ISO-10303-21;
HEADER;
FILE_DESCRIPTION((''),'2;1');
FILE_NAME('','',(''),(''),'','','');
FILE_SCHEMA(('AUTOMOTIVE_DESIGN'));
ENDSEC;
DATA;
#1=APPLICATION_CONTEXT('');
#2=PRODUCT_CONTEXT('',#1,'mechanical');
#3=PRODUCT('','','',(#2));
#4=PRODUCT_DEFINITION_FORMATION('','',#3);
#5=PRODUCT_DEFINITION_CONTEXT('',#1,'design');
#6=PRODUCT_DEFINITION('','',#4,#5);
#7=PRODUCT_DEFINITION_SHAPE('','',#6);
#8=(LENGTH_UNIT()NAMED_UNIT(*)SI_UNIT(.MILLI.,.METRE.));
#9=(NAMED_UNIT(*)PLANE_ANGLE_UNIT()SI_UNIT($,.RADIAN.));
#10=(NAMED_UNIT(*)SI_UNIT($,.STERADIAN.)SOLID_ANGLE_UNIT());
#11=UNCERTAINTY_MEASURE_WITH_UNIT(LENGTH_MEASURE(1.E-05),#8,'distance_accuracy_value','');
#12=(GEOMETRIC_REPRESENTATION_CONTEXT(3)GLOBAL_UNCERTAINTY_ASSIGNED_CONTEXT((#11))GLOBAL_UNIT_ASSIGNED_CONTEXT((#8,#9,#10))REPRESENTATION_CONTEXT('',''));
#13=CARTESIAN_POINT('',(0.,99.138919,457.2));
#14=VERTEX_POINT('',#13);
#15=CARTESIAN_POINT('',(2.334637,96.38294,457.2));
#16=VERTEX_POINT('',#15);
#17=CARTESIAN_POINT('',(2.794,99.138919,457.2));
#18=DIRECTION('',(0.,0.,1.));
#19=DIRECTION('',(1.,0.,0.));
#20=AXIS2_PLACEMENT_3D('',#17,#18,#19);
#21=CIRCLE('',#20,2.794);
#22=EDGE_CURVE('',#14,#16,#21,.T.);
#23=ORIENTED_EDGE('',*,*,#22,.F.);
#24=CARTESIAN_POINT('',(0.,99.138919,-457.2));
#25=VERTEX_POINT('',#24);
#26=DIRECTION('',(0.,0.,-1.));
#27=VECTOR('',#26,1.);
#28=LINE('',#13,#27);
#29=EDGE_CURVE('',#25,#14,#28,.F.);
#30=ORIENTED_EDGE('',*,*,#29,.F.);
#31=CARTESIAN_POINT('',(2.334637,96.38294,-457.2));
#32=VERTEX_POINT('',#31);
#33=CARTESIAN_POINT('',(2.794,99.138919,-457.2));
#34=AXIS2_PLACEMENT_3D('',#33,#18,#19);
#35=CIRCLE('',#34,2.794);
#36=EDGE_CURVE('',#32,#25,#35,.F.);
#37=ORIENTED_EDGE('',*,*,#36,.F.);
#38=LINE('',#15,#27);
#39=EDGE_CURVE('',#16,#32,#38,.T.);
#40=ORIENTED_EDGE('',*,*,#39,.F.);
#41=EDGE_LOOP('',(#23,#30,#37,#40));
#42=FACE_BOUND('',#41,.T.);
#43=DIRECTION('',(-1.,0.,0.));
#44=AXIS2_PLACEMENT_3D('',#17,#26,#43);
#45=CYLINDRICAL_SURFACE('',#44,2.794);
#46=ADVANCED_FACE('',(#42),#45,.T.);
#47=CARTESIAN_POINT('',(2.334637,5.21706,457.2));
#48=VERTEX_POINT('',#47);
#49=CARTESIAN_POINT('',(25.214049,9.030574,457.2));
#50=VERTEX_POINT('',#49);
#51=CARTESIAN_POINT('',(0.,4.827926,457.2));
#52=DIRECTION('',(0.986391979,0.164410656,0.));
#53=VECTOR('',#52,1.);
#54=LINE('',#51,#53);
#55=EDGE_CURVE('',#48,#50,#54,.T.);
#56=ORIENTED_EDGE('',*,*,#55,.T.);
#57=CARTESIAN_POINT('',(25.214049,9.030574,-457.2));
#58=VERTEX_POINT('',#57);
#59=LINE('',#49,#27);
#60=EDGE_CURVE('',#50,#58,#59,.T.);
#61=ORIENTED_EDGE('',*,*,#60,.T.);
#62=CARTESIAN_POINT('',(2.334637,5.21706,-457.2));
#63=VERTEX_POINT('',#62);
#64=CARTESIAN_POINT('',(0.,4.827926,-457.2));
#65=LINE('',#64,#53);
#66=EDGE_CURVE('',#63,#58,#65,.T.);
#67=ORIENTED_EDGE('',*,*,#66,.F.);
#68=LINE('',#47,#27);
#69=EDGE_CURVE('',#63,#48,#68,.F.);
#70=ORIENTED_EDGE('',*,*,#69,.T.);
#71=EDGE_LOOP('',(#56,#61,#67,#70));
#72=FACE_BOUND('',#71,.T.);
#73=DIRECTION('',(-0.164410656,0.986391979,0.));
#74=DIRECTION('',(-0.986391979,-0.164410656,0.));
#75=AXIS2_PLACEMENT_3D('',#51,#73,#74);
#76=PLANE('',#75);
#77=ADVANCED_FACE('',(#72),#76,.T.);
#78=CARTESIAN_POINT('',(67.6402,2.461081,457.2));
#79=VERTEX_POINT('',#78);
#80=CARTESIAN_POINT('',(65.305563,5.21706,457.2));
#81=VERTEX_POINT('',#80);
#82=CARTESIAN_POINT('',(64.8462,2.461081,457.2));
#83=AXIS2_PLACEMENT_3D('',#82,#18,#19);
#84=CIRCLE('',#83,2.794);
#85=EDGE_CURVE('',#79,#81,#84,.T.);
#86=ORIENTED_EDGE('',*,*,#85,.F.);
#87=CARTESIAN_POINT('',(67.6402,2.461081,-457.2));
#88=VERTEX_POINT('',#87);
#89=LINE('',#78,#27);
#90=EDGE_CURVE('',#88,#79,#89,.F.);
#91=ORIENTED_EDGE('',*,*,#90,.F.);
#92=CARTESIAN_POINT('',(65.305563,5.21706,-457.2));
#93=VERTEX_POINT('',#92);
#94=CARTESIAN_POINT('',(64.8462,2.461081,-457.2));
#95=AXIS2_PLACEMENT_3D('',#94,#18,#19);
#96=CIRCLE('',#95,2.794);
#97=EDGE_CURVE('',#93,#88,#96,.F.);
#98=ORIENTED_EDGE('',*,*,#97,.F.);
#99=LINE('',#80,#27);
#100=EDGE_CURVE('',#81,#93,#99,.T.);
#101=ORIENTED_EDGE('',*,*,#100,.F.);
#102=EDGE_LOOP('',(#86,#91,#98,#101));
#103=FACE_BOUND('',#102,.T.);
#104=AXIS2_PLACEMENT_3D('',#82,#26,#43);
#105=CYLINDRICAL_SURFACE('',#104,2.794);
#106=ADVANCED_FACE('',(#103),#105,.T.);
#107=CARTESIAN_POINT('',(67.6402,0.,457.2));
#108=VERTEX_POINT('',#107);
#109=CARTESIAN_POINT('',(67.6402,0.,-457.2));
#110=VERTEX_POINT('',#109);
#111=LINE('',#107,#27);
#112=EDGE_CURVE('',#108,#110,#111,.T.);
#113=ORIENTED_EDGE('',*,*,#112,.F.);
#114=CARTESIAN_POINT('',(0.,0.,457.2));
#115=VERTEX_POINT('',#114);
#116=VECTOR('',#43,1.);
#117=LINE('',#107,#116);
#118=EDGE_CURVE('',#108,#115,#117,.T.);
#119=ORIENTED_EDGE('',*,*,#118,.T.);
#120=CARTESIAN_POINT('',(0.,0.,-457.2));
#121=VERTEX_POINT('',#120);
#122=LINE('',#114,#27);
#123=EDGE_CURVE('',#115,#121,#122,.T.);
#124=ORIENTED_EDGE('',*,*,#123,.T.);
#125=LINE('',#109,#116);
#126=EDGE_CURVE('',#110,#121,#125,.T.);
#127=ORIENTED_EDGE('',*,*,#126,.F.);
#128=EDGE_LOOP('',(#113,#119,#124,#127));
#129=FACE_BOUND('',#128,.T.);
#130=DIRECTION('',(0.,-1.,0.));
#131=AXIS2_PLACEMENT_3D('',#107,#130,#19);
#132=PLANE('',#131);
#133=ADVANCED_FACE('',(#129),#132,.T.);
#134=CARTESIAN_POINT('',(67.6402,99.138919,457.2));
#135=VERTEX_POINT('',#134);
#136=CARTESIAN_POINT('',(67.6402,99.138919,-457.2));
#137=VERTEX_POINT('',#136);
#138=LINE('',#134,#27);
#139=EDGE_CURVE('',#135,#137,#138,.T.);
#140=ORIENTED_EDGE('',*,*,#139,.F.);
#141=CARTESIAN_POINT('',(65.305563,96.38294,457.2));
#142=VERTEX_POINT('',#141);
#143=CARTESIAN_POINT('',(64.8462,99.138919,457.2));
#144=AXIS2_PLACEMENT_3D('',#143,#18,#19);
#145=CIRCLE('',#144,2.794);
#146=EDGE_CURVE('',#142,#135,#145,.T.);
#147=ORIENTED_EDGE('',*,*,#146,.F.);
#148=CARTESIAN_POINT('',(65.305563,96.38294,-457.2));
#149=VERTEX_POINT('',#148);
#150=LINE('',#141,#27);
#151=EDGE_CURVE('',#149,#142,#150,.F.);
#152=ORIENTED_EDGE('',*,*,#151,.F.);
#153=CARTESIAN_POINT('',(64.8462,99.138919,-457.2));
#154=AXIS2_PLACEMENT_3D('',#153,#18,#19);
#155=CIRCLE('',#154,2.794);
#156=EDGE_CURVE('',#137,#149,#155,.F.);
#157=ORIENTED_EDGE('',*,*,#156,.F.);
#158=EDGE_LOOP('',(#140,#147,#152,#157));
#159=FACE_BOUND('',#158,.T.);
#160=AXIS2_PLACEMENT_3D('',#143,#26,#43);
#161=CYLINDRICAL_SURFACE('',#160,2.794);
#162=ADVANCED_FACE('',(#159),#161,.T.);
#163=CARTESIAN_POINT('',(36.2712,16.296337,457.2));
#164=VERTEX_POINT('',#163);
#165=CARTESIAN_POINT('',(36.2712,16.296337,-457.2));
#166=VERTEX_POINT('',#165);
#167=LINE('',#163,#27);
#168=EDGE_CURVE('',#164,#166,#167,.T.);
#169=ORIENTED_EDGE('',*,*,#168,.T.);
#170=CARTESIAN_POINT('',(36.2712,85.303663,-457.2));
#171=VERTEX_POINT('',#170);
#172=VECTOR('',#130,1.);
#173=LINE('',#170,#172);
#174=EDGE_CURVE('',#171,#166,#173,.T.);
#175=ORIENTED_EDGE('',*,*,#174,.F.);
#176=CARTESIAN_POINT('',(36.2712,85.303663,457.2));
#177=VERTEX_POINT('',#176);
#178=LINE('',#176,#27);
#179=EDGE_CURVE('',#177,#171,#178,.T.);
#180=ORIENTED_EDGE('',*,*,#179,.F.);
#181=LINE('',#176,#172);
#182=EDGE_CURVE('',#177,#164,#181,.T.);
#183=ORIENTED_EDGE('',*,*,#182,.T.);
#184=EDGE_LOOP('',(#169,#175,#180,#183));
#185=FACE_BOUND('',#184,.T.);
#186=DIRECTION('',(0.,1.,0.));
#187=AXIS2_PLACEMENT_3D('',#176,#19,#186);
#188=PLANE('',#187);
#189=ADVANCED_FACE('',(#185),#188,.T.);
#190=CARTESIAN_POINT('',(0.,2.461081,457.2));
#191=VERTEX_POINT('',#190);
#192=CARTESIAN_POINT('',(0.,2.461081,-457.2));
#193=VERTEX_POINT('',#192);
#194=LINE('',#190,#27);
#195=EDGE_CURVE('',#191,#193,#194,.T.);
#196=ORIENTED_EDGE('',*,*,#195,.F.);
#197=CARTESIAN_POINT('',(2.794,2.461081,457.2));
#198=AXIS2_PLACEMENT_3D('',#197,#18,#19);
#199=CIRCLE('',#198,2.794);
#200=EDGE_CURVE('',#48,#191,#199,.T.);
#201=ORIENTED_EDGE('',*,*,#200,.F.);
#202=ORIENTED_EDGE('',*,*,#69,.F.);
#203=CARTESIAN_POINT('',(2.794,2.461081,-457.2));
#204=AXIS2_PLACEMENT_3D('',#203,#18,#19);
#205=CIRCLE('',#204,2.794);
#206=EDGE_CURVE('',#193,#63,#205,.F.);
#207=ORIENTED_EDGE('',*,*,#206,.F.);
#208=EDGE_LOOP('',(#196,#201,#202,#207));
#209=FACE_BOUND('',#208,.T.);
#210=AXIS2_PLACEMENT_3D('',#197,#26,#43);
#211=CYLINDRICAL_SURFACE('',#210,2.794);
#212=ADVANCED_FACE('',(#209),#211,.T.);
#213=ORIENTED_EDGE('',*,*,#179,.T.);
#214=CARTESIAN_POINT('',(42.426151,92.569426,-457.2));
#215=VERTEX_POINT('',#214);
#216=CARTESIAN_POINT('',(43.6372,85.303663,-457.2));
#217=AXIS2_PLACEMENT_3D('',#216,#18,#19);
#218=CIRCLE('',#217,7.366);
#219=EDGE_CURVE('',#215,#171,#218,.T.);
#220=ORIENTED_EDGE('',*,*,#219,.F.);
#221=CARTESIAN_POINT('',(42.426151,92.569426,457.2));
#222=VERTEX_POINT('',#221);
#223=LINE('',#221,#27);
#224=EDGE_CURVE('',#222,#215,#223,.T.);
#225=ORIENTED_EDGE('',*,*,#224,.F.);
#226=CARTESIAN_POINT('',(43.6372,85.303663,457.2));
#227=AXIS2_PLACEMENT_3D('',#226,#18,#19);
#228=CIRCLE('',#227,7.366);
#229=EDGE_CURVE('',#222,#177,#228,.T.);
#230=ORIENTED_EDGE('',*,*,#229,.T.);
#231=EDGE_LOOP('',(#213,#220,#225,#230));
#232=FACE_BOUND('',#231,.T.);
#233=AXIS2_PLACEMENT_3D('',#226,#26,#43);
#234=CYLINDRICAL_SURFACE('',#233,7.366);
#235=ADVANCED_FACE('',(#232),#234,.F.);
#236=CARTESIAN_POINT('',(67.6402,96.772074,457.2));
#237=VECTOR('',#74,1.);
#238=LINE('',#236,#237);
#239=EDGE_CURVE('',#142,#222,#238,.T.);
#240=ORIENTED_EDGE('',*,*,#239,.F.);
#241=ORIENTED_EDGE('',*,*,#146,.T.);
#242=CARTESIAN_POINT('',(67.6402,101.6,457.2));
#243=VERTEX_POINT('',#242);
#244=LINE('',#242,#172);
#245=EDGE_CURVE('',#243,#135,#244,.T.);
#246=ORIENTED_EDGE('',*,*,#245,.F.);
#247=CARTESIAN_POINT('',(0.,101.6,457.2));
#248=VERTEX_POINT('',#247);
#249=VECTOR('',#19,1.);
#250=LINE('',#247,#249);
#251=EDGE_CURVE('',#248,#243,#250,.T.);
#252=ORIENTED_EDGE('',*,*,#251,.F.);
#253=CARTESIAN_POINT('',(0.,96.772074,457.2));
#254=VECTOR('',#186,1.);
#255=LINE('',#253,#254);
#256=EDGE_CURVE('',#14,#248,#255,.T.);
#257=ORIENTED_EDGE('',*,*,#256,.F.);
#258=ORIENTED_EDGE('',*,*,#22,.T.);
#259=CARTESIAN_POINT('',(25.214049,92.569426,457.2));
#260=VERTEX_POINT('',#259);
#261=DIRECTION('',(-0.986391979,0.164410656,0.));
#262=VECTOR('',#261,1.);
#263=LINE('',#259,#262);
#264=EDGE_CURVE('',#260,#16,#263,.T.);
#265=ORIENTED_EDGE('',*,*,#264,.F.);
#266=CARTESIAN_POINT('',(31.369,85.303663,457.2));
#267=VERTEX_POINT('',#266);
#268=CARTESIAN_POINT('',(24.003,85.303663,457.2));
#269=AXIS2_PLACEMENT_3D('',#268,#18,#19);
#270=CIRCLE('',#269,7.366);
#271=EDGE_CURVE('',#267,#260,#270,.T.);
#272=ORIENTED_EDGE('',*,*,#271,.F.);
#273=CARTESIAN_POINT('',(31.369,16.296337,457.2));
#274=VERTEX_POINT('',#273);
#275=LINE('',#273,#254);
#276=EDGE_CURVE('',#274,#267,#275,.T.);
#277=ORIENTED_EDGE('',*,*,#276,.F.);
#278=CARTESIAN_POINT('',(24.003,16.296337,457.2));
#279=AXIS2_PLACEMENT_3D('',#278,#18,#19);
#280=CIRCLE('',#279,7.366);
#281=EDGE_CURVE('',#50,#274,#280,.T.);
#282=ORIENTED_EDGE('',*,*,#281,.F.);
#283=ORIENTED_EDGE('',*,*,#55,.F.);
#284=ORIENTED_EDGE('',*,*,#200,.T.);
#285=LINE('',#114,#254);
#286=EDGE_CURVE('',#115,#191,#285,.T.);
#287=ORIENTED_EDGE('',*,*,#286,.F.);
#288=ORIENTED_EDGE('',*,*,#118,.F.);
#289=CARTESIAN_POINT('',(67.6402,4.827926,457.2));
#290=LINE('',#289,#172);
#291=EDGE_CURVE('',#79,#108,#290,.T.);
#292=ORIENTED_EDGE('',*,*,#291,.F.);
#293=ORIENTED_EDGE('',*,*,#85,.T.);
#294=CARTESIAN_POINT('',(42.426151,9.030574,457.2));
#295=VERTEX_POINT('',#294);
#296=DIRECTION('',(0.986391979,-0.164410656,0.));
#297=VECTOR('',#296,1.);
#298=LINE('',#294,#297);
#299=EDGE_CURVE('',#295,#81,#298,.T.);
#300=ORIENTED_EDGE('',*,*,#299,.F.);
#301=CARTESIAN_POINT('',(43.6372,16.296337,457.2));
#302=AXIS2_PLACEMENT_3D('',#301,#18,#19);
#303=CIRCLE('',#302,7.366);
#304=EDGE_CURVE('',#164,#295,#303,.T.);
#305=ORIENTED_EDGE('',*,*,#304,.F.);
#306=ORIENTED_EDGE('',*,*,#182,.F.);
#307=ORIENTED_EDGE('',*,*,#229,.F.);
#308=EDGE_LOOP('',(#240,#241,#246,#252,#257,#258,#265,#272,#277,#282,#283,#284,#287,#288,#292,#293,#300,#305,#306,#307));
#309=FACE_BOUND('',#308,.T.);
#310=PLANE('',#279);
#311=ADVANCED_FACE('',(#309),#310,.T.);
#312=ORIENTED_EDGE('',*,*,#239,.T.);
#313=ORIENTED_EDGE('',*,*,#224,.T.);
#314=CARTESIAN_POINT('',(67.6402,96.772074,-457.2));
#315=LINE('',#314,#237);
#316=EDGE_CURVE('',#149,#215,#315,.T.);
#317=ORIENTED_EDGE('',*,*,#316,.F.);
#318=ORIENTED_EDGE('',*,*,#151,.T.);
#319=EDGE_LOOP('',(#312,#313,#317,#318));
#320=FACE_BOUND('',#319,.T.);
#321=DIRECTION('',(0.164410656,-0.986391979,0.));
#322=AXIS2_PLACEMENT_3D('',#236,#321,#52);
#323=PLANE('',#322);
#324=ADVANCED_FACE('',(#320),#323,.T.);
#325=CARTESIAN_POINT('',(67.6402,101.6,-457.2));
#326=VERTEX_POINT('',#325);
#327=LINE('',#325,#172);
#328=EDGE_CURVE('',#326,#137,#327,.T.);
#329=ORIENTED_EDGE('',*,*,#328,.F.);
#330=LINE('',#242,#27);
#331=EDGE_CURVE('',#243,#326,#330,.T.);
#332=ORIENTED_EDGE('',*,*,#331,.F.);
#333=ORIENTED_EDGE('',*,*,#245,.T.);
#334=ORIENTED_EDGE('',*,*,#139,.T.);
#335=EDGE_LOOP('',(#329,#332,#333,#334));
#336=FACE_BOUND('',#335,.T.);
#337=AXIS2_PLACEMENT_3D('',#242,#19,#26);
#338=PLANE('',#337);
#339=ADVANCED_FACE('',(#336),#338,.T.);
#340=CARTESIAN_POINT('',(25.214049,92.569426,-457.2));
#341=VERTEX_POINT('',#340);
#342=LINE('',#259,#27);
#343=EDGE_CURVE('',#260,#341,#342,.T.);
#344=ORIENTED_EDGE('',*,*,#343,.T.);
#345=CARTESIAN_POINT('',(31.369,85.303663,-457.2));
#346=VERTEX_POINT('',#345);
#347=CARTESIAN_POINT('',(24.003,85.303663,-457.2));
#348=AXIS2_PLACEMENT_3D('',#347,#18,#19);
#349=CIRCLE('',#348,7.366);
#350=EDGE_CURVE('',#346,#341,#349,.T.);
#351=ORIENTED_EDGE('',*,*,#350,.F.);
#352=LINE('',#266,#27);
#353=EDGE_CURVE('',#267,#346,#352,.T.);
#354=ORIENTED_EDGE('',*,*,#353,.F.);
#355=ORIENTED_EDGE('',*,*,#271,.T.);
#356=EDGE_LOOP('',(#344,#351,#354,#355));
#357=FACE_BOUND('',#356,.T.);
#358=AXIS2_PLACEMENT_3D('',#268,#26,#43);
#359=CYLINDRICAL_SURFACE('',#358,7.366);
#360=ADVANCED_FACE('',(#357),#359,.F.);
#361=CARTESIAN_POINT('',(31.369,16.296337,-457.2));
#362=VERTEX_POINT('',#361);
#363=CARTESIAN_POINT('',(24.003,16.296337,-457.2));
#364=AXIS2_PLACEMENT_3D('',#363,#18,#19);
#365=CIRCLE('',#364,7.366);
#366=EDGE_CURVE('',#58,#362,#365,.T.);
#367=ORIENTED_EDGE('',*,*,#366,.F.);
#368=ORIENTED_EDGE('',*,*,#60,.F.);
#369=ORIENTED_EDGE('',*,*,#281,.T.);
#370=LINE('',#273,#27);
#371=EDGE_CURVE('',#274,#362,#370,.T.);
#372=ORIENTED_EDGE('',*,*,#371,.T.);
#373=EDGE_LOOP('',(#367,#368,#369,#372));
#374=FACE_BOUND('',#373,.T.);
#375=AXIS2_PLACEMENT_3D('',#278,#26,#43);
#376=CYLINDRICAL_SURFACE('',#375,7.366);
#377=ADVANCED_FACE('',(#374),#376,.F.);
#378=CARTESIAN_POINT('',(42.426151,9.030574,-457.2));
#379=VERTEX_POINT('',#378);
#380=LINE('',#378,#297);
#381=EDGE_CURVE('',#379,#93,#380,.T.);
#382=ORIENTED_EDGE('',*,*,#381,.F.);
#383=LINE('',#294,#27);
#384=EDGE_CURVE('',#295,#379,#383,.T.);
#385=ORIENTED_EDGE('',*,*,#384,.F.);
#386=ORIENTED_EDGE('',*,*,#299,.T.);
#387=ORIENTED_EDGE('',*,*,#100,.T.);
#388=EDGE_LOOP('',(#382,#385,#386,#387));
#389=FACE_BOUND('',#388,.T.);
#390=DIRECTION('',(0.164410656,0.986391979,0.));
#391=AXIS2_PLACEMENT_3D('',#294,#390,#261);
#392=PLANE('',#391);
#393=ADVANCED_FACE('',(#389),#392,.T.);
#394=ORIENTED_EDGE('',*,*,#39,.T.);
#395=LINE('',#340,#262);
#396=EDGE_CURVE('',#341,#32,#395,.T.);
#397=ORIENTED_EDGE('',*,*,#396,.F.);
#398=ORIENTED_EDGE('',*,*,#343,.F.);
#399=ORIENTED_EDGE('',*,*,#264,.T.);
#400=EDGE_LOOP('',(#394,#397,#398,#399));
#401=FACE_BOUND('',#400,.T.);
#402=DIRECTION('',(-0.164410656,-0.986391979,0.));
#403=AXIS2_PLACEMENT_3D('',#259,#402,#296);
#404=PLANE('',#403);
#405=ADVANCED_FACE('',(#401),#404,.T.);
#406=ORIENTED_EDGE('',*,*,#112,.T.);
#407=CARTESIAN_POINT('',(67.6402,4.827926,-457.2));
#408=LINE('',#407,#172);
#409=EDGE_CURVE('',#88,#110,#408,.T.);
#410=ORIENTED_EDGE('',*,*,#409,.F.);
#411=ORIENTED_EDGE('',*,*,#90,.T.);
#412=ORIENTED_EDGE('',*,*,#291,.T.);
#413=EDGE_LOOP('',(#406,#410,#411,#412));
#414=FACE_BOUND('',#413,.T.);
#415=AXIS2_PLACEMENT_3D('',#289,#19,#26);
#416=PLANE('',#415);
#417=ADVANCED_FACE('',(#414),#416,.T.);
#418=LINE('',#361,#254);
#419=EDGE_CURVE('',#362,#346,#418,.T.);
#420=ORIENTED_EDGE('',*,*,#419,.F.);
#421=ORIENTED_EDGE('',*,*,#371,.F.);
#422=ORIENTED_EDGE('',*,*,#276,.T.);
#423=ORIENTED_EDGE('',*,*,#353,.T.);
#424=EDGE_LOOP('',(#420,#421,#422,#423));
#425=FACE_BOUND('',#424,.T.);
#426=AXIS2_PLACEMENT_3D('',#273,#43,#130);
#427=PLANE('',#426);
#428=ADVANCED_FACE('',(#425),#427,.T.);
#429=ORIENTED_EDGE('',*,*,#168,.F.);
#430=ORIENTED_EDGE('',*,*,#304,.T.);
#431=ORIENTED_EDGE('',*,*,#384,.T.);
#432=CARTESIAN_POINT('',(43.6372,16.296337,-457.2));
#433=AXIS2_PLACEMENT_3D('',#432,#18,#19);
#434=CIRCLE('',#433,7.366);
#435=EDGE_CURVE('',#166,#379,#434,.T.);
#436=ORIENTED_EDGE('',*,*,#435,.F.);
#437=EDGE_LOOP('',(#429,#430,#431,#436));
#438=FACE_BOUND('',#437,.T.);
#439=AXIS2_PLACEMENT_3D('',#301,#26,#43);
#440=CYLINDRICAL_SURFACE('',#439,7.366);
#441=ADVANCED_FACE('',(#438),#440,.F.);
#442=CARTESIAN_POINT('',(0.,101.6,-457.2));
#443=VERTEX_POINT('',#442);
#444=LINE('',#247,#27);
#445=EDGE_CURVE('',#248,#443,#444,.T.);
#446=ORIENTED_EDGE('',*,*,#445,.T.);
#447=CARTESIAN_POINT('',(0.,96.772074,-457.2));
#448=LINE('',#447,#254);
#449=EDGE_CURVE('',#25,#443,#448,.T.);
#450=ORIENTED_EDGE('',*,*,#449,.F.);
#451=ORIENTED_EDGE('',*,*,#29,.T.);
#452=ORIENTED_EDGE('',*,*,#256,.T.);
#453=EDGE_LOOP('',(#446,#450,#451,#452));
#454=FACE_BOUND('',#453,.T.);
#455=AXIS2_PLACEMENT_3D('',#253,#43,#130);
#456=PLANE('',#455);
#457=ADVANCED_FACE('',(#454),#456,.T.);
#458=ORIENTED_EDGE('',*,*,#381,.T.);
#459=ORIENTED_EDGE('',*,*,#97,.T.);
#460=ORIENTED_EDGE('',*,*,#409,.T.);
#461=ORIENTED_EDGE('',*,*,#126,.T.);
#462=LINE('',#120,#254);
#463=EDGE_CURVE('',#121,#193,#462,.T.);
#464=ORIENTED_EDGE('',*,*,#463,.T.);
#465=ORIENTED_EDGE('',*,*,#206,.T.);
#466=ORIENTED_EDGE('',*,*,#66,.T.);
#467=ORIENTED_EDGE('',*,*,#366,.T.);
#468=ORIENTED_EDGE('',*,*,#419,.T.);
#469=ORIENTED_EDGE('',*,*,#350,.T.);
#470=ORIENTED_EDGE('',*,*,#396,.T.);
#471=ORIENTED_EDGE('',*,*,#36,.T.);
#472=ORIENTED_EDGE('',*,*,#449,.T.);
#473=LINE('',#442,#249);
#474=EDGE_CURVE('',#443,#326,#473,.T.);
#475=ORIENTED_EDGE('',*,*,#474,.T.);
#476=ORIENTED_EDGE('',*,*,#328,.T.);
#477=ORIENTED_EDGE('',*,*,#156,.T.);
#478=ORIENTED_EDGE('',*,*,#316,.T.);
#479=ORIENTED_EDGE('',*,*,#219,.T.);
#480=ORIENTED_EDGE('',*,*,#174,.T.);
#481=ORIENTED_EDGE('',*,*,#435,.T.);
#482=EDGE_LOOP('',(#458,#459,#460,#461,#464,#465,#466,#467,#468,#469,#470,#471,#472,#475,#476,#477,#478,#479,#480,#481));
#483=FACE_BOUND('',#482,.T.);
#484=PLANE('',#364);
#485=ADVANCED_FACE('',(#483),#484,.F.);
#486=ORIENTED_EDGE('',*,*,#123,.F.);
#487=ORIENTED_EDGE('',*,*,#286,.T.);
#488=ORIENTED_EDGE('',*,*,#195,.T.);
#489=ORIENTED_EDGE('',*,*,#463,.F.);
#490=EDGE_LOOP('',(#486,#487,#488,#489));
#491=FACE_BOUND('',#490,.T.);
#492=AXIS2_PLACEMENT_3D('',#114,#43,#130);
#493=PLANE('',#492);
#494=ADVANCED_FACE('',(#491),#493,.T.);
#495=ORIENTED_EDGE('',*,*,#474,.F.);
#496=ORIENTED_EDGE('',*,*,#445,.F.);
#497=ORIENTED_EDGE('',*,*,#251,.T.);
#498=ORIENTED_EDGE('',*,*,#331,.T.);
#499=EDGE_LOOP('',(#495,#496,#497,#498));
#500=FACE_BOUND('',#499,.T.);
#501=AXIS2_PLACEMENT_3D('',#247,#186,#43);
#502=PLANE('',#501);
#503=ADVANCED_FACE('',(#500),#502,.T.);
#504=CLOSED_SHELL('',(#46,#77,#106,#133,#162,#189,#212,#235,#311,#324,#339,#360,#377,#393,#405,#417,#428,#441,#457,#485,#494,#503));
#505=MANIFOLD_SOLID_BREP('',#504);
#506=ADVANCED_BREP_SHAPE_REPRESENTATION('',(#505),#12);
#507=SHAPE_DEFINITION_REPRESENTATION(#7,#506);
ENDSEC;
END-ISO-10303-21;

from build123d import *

# Parameters (mm, degrees)
BASESBEAM_DEPTH = 457.2
TOEFILLET_R     = 2.794


with BuildPart() as part:
    # Sketch1 → BaseSbeam (new body, symmetric)
    with BuildSketch(Plane.XY):
        with BuildLine():
            Line((0, 0), (0, 4.82792597))
            Line((0, 4.82792597), (25.214048892, 9.030574012))
            ThreePointArc((25.214048892, 9.030574012), (29.623433353, 11.535173088), (31.369, 16.296337329))
            Line((31.369, 16.296337329), (31.369, 85.303662671))
            ThreePointArc((31.369, 85.303662671), (29.623433353, 90.064826912), (25.214048892, 92.569425988))
            Line((25.214048892, 92.569425988), (0, 96.77207403))
            Line((0, 96.77207403), (0, 101.6))
            Line((0, 101.6), (67.6402, 101.6))
            Line((67.6402, 101.6), (67.6402, 96.77207403))
            Line((67.6402, 96.77207403), (42.426151108, 92.569425988))
            ThreePointArc((42.426151108, 92.569425988), (38.016766647, 90.064826912), (36.2712, 85.303662671))
            Line((36.2712, 85.303662671), (36.2712, 16.296337329))
            ThreePointArc((36.2712, 16.296337329), (38.016766647, 11.535173088), (42.426151108, 9.030574012))
            Line((42.426151108, 9.030574012), (67.6402, 4.82792597))
            Line((67.6402, 4.82792597), (67.6402, 0))
            Line((67.6402, 0), (0, 0))
        make_face()
    extrude(amount=BASESBEAM_DEPTH, both=True)

    # ToeFillet
    toefillet_edges = [part.edges().sort_by_distance(p)[0] for p in [
        (67.6402, 4.82792597, 0),
        (67.6402, 96.77207403, 0),
        (0, 96.77207403, 0),
        (0, 4.82792597, 0),
    ]]
    fillet(toefillet_edges, radius=TOEFILLET_R)


solid = part.part
